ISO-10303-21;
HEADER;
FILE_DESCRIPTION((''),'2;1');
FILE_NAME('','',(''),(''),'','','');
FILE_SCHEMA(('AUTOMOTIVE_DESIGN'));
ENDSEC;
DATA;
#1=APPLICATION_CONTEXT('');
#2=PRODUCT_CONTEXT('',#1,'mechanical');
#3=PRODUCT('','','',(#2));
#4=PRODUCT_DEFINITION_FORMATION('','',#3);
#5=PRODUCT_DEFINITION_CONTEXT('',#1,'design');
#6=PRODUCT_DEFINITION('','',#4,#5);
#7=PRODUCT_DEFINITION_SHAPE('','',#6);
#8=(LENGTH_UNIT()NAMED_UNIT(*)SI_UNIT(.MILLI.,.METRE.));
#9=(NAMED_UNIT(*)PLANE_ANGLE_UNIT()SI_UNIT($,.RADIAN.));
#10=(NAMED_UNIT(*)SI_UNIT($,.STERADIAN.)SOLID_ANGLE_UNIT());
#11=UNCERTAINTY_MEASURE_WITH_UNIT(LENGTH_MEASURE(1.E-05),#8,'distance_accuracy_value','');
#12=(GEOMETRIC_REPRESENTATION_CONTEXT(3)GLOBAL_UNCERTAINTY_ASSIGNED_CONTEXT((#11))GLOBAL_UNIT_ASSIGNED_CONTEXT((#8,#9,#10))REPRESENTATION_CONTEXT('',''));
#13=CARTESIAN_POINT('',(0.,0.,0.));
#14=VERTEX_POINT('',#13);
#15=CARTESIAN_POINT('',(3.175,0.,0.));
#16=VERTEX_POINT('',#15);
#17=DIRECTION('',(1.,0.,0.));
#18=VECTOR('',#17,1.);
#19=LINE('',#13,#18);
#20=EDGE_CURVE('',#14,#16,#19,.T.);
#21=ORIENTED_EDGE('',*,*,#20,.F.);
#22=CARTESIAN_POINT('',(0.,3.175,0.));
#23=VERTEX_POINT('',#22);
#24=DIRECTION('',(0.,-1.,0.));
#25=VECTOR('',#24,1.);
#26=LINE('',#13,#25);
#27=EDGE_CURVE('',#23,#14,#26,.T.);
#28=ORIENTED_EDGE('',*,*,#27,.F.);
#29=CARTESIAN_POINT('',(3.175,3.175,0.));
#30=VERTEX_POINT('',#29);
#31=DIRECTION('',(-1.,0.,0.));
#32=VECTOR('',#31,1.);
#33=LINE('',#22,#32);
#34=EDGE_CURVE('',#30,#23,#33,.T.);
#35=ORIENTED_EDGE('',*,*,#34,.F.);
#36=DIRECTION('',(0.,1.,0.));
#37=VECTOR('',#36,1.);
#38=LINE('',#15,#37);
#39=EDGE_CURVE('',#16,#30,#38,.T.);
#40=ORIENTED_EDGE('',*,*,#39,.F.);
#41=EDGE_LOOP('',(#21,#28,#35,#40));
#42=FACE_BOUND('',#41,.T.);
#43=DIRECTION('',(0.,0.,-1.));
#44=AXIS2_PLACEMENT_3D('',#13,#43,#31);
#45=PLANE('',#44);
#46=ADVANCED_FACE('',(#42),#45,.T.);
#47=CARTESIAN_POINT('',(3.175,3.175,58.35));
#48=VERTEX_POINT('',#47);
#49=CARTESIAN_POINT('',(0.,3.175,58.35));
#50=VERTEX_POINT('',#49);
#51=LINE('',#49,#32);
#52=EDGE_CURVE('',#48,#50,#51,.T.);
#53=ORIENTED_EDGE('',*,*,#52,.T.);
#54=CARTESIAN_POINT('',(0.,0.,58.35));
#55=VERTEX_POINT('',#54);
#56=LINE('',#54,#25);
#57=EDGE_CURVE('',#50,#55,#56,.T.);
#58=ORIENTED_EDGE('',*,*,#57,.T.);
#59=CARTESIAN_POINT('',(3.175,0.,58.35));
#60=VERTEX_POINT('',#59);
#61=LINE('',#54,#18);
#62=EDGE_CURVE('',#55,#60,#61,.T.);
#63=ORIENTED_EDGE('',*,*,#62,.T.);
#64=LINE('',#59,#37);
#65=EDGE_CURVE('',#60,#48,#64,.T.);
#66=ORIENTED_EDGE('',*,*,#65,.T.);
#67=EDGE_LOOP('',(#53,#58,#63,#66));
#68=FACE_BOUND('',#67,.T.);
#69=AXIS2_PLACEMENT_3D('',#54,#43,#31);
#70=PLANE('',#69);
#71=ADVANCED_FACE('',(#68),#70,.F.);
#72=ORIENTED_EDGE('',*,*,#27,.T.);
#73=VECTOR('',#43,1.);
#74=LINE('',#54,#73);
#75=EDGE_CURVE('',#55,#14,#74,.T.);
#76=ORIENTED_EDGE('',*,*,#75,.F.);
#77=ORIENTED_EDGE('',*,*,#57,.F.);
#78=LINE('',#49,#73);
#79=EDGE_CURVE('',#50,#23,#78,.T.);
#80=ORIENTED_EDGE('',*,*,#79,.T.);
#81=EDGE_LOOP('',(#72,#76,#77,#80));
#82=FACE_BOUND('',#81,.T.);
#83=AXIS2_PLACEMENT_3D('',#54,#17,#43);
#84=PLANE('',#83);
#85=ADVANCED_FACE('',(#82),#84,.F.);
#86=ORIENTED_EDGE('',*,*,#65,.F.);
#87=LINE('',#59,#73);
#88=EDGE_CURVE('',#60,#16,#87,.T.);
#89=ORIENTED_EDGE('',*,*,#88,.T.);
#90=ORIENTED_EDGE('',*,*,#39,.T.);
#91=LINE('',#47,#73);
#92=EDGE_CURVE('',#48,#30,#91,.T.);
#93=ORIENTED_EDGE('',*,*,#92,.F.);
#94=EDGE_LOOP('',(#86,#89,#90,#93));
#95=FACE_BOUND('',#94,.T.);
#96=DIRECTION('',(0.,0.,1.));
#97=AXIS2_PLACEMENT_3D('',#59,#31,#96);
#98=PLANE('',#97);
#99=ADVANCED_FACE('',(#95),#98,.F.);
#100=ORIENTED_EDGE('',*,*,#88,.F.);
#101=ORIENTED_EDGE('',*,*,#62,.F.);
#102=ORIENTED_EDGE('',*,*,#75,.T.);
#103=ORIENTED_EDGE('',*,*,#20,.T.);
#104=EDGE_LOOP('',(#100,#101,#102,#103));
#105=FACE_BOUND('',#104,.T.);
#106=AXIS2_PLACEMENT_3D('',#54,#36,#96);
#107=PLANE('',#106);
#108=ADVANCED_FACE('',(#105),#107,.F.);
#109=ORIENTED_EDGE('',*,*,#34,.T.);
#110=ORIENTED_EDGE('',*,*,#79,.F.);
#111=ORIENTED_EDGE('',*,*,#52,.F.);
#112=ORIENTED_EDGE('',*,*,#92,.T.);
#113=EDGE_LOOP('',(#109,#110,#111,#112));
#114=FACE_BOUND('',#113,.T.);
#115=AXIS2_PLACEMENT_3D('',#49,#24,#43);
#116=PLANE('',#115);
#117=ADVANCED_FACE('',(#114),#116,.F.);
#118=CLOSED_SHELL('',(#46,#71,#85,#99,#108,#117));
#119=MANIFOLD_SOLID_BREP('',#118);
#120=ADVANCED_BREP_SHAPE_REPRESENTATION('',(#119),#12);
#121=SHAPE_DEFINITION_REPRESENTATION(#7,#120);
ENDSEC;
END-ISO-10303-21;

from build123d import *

# Parameters (mm, degrees)
SKETCH1_W           = 3.175
SKETCH1_H           = 3.175
BOSS_EXTRUDE1_DEPTH = 58.35


with BuildPart() as part:
    # Sketch1 → Boss-Extrude1 (new body)
    with BuildSketch(Plane.XY):
        with Locations((1.5875, 1.5875)):
            Rectangle(SKETCH1_W, SKETCH1_H)
    extrude(amount=BOSS_EXTRUDE1_DEPTH)


solid = part.part
